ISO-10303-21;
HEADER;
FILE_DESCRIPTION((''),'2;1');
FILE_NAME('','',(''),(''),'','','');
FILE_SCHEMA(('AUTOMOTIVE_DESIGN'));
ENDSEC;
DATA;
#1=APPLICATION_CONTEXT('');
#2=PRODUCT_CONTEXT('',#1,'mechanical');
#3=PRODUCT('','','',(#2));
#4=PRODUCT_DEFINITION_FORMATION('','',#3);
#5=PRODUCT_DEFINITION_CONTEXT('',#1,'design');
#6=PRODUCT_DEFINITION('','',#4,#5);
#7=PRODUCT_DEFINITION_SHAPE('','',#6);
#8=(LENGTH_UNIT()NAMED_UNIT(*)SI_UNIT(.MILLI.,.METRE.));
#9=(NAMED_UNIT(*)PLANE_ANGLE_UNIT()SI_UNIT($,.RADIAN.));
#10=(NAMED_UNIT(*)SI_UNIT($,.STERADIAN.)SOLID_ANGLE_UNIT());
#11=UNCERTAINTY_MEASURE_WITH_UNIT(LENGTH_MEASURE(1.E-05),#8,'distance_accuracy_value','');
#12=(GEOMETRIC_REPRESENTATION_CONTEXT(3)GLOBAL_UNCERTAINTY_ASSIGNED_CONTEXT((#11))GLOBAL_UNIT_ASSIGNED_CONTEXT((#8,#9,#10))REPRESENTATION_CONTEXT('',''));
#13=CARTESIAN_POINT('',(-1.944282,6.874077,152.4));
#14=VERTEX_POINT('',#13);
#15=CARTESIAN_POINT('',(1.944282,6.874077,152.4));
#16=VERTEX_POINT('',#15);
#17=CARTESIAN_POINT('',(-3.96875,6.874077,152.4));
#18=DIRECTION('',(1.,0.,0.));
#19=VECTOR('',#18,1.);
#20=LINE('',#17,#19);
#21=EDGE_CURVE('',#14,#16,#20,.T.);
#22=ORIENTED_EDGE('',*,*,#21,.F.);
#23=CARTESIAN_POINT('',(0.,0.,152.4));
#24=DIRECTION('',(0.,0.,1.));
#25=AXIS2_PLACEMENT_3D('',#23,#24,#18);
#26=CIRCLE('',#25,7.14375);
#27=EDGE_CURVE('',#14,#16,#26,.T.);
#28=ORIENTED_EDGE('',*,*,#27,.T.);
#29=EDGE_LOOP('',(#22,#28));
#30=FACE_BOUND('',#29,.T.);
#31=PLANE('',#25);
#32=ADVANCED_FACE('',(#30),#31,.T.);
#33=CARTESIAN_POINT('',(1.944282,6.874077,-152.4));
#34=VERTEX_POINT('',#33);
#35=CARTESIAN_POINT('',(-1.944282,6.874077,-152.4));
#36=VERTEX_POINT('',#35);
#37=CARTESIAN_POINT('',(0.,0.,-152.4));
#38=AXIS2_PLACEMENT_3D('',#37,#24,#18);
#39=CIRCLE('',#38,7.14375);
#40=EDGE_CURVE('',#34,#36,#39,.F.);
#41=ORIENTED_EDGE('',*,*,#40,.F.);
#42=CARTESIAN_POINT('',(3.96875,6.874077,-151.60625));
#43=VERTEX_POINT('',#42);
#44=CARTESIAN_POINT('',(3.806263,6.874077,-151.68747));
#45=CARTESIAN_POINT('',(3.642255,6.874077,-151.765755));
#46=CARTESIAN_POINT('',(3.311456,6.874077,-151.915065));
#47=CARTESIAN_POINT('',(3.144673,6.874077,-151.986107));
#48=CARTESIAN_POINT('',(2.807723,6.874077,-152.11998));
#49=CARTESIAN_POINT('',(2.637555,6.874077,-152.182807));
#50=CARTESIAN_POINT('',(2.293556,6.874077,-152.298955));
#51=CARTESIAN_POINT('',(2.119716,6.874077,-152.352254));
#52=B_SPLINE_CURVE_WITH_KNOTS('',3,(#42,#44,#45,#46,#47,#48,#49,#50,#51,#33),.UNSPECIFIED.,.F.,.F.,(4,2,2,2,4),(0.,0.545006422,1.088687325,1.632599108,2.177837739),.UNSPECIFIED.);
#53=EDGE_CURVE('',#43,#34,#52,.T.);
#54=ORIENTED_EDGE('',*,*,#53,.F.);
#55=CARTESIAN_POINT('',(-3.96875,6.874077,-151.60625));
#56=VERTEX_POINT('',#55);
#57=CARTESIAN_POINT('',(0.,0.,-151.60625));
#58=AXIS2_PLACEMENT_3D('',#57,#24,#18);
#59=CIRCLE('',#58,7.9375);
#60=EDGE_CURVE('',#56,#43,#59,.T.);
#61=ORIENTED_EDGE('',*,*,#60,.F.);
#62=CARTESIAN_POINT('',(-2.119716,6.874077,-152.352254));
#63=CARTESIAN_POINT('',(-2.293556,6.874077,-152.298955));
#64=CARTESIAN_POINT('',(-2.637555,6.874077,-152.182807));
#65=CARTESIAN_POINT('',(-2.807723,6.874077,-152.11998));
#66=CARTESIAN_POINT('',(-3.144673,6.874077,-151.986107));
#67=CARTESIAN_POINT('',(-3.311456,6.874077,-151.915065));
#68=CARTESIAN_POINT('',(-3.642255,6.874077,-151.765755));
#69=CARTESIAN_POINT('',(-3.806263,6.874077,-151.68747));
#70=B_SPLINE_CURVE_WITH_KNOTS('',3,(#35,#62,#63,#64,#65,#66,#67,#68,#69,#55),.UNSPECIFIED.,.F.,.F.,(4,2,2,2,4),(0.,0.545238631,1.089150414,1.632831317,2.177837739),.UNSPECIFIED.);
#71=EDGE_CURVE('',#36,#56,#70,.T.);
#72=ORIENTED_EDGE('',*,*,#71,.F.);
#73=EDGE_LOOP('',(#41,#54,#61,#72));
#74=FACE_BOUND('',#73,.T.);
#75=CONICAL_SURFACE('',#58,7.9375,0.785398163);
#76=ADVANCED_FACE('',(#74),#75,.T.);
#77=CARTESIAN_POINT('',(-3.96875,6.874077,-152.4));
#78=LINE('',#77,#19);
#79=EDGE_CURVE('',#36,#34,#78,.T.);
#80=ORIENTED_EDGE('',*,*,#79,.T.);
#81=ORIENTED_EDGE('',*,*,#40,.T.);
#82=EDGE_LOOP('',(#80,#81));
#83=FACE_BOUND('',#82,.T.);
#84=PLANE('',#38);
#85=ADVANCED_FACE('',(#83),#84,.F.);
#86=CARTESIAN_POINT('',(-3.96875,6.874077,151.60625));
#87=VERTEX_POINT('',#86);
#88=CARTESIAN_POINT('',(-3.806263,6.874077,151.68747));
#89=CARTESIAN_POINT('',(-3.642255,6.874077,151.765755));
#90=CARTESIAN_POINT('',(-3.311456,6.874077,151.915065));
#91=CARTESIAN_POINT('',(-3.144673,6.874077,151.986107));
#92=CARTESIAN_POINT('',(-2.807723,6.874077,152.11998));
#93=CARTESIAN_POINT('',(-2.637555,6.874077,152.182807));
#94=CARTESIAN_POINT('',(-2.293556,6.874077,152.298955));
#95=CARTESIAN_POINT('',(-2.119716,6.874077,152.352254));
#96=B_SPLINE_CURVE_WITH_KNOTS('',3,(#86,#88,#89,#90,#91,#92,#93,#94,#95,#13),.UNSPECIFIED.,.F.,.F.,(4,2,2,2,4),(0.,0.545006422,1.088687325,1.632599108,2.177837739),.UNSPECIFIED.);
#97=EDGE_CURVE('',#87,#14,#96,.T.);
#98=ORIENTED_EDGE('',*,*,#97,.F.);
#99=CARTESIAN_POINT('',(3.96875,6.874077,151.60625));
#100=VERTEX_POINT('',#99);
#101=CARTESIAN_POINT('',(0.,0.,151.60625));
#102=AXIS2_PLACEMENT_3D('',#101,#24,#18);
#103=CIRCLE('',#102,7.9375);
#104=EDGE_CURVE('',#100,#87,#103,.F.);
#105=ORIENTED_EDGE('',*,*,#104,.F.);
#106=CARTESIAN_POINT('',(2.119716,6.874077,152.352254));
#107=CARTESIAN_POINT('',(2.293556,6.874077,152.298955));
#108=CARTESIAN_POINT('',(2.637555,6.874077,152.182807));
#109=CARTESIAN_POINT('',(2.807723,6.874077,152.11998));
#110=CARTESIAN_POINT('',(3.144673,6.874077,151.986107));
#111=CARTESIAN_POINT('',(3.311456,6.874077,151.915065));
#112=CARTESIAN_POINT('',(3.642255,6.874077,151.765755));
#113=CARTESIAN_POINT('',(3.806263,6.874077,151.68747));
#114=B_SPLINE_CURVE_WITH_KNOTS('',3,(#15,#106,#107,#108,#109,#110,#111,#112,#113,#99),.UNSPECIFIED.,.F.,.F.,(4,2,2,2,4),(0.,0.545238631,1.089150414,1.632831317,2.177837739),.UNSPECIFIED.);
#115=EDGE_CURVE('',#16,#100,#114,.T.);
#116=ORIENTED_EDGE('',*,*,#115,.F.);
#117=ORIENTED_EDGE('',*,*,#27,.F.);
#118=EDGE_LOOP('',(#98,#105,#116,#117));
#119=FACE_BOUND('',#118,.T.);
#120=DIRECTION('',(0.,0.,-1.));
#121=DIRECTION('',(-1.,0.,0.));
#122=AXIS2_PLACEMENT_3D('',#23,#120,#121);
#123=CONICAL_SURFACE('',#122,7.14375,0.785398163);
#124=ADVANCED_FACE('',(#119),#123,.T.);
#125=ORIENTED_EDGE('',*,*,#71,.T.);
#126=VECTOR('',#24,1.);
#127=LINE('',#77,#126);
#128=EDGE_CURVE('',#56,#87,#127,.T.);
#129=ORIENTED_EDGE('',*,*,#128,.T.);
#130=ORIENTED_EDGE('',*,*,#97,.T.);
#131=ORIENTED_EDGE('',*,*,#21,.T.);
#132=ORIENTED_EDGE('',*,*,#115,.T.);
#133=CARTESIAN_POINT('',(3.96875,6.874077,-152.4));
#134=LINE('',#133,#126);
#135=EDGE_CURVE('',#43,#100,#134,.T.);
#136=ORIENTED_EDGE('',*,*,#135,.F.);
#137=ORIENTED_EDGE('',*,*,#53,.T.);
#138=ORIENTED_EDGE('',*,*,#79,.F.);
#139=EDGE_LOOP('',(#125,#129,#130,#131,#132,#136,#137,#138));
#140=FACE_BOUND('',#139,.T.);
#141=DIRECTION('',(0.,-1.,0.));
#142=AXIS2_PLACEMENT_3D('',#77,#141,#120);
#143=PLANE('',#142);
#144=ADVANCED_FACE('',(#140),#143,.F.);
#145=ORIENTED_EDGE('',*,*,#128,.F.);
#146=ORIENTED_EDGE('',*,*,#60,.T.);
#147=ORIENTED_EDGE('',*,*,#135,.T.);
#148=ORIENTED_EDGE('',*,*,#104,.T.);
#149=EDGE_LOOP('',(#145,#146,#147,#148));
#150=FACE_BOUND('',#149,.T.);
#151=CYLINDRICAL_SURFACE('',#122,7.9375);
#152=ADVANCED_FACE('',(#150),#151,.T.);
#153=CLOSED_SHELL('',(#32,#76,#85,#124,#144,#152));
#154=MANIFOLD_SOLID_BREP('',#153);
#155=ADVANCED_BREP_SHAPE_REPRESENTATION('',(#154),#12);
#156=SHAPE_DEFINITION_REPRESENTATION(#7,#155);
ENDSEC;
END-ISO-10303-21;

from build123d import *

# Parameters (mm, degrees)
BOSS_EXTRUDE2_DEPTH      = 152.4
BOSS_EXTRUDE2_DEPTH_BACK = 152.4
SKETCH3_R                = 7.9375
CUT_EXTRUDE5_DEPTH       = 153.812852249
CUT_EXTRUDE5_DEPTH_BACK  = 153.812852249
CHAMFER1_SIZE            = 0.79375


with BuildPart() as part:
    # Sketch3 → Boss-Extrude2 (new, two sides: drawn at the far end of the back side and taken through both)
    with BuildSketch(Plane.XY.offset(-BOSS_EXTRUDE2_DEPTH_BACK)):
        with Locations(Location((0, 0, 0), (0, 0, 180))):
            Circle(SKETCH3_R)
    extrude(amount=BOSS_EXTRUDE2_DEPTH + BOSS_EXTRUDE2_DEPTH_BACK)

    # Sketch10 → Cut-Extrude5 (cut, two sides: drawn at the far end of the back side and taken through both)
    with BuildSketch(Plane.XY.offset(-CUT_EXTRUDE5_DEPTH_BACK)):
        with BuildLine():
            Line((-3.96875, 6.874076643), (3.96875, 6.874076643))
            ThreePointArc((3.96875, 6.874076643), (0, 7.9375), (-3.96875, 6.874076643))
        make_face()
    extrude(amount=CUT_EXTRUDE5_DEPTH + CUT_EXTRUDE5_DEPTH_BACK, mode=Mode.SUBTRACT)

    # Chamfer1
    chamfer1_edges = [part.edges().sort_by_distance(p)[0] for p in [
        (0, -7.9375, -152.4),
        (0, -7.9375, 152.4),
    ]]
    chamfer(chamfer1_edges, length=CHAMFER1_SIZE)


solid = part.part
